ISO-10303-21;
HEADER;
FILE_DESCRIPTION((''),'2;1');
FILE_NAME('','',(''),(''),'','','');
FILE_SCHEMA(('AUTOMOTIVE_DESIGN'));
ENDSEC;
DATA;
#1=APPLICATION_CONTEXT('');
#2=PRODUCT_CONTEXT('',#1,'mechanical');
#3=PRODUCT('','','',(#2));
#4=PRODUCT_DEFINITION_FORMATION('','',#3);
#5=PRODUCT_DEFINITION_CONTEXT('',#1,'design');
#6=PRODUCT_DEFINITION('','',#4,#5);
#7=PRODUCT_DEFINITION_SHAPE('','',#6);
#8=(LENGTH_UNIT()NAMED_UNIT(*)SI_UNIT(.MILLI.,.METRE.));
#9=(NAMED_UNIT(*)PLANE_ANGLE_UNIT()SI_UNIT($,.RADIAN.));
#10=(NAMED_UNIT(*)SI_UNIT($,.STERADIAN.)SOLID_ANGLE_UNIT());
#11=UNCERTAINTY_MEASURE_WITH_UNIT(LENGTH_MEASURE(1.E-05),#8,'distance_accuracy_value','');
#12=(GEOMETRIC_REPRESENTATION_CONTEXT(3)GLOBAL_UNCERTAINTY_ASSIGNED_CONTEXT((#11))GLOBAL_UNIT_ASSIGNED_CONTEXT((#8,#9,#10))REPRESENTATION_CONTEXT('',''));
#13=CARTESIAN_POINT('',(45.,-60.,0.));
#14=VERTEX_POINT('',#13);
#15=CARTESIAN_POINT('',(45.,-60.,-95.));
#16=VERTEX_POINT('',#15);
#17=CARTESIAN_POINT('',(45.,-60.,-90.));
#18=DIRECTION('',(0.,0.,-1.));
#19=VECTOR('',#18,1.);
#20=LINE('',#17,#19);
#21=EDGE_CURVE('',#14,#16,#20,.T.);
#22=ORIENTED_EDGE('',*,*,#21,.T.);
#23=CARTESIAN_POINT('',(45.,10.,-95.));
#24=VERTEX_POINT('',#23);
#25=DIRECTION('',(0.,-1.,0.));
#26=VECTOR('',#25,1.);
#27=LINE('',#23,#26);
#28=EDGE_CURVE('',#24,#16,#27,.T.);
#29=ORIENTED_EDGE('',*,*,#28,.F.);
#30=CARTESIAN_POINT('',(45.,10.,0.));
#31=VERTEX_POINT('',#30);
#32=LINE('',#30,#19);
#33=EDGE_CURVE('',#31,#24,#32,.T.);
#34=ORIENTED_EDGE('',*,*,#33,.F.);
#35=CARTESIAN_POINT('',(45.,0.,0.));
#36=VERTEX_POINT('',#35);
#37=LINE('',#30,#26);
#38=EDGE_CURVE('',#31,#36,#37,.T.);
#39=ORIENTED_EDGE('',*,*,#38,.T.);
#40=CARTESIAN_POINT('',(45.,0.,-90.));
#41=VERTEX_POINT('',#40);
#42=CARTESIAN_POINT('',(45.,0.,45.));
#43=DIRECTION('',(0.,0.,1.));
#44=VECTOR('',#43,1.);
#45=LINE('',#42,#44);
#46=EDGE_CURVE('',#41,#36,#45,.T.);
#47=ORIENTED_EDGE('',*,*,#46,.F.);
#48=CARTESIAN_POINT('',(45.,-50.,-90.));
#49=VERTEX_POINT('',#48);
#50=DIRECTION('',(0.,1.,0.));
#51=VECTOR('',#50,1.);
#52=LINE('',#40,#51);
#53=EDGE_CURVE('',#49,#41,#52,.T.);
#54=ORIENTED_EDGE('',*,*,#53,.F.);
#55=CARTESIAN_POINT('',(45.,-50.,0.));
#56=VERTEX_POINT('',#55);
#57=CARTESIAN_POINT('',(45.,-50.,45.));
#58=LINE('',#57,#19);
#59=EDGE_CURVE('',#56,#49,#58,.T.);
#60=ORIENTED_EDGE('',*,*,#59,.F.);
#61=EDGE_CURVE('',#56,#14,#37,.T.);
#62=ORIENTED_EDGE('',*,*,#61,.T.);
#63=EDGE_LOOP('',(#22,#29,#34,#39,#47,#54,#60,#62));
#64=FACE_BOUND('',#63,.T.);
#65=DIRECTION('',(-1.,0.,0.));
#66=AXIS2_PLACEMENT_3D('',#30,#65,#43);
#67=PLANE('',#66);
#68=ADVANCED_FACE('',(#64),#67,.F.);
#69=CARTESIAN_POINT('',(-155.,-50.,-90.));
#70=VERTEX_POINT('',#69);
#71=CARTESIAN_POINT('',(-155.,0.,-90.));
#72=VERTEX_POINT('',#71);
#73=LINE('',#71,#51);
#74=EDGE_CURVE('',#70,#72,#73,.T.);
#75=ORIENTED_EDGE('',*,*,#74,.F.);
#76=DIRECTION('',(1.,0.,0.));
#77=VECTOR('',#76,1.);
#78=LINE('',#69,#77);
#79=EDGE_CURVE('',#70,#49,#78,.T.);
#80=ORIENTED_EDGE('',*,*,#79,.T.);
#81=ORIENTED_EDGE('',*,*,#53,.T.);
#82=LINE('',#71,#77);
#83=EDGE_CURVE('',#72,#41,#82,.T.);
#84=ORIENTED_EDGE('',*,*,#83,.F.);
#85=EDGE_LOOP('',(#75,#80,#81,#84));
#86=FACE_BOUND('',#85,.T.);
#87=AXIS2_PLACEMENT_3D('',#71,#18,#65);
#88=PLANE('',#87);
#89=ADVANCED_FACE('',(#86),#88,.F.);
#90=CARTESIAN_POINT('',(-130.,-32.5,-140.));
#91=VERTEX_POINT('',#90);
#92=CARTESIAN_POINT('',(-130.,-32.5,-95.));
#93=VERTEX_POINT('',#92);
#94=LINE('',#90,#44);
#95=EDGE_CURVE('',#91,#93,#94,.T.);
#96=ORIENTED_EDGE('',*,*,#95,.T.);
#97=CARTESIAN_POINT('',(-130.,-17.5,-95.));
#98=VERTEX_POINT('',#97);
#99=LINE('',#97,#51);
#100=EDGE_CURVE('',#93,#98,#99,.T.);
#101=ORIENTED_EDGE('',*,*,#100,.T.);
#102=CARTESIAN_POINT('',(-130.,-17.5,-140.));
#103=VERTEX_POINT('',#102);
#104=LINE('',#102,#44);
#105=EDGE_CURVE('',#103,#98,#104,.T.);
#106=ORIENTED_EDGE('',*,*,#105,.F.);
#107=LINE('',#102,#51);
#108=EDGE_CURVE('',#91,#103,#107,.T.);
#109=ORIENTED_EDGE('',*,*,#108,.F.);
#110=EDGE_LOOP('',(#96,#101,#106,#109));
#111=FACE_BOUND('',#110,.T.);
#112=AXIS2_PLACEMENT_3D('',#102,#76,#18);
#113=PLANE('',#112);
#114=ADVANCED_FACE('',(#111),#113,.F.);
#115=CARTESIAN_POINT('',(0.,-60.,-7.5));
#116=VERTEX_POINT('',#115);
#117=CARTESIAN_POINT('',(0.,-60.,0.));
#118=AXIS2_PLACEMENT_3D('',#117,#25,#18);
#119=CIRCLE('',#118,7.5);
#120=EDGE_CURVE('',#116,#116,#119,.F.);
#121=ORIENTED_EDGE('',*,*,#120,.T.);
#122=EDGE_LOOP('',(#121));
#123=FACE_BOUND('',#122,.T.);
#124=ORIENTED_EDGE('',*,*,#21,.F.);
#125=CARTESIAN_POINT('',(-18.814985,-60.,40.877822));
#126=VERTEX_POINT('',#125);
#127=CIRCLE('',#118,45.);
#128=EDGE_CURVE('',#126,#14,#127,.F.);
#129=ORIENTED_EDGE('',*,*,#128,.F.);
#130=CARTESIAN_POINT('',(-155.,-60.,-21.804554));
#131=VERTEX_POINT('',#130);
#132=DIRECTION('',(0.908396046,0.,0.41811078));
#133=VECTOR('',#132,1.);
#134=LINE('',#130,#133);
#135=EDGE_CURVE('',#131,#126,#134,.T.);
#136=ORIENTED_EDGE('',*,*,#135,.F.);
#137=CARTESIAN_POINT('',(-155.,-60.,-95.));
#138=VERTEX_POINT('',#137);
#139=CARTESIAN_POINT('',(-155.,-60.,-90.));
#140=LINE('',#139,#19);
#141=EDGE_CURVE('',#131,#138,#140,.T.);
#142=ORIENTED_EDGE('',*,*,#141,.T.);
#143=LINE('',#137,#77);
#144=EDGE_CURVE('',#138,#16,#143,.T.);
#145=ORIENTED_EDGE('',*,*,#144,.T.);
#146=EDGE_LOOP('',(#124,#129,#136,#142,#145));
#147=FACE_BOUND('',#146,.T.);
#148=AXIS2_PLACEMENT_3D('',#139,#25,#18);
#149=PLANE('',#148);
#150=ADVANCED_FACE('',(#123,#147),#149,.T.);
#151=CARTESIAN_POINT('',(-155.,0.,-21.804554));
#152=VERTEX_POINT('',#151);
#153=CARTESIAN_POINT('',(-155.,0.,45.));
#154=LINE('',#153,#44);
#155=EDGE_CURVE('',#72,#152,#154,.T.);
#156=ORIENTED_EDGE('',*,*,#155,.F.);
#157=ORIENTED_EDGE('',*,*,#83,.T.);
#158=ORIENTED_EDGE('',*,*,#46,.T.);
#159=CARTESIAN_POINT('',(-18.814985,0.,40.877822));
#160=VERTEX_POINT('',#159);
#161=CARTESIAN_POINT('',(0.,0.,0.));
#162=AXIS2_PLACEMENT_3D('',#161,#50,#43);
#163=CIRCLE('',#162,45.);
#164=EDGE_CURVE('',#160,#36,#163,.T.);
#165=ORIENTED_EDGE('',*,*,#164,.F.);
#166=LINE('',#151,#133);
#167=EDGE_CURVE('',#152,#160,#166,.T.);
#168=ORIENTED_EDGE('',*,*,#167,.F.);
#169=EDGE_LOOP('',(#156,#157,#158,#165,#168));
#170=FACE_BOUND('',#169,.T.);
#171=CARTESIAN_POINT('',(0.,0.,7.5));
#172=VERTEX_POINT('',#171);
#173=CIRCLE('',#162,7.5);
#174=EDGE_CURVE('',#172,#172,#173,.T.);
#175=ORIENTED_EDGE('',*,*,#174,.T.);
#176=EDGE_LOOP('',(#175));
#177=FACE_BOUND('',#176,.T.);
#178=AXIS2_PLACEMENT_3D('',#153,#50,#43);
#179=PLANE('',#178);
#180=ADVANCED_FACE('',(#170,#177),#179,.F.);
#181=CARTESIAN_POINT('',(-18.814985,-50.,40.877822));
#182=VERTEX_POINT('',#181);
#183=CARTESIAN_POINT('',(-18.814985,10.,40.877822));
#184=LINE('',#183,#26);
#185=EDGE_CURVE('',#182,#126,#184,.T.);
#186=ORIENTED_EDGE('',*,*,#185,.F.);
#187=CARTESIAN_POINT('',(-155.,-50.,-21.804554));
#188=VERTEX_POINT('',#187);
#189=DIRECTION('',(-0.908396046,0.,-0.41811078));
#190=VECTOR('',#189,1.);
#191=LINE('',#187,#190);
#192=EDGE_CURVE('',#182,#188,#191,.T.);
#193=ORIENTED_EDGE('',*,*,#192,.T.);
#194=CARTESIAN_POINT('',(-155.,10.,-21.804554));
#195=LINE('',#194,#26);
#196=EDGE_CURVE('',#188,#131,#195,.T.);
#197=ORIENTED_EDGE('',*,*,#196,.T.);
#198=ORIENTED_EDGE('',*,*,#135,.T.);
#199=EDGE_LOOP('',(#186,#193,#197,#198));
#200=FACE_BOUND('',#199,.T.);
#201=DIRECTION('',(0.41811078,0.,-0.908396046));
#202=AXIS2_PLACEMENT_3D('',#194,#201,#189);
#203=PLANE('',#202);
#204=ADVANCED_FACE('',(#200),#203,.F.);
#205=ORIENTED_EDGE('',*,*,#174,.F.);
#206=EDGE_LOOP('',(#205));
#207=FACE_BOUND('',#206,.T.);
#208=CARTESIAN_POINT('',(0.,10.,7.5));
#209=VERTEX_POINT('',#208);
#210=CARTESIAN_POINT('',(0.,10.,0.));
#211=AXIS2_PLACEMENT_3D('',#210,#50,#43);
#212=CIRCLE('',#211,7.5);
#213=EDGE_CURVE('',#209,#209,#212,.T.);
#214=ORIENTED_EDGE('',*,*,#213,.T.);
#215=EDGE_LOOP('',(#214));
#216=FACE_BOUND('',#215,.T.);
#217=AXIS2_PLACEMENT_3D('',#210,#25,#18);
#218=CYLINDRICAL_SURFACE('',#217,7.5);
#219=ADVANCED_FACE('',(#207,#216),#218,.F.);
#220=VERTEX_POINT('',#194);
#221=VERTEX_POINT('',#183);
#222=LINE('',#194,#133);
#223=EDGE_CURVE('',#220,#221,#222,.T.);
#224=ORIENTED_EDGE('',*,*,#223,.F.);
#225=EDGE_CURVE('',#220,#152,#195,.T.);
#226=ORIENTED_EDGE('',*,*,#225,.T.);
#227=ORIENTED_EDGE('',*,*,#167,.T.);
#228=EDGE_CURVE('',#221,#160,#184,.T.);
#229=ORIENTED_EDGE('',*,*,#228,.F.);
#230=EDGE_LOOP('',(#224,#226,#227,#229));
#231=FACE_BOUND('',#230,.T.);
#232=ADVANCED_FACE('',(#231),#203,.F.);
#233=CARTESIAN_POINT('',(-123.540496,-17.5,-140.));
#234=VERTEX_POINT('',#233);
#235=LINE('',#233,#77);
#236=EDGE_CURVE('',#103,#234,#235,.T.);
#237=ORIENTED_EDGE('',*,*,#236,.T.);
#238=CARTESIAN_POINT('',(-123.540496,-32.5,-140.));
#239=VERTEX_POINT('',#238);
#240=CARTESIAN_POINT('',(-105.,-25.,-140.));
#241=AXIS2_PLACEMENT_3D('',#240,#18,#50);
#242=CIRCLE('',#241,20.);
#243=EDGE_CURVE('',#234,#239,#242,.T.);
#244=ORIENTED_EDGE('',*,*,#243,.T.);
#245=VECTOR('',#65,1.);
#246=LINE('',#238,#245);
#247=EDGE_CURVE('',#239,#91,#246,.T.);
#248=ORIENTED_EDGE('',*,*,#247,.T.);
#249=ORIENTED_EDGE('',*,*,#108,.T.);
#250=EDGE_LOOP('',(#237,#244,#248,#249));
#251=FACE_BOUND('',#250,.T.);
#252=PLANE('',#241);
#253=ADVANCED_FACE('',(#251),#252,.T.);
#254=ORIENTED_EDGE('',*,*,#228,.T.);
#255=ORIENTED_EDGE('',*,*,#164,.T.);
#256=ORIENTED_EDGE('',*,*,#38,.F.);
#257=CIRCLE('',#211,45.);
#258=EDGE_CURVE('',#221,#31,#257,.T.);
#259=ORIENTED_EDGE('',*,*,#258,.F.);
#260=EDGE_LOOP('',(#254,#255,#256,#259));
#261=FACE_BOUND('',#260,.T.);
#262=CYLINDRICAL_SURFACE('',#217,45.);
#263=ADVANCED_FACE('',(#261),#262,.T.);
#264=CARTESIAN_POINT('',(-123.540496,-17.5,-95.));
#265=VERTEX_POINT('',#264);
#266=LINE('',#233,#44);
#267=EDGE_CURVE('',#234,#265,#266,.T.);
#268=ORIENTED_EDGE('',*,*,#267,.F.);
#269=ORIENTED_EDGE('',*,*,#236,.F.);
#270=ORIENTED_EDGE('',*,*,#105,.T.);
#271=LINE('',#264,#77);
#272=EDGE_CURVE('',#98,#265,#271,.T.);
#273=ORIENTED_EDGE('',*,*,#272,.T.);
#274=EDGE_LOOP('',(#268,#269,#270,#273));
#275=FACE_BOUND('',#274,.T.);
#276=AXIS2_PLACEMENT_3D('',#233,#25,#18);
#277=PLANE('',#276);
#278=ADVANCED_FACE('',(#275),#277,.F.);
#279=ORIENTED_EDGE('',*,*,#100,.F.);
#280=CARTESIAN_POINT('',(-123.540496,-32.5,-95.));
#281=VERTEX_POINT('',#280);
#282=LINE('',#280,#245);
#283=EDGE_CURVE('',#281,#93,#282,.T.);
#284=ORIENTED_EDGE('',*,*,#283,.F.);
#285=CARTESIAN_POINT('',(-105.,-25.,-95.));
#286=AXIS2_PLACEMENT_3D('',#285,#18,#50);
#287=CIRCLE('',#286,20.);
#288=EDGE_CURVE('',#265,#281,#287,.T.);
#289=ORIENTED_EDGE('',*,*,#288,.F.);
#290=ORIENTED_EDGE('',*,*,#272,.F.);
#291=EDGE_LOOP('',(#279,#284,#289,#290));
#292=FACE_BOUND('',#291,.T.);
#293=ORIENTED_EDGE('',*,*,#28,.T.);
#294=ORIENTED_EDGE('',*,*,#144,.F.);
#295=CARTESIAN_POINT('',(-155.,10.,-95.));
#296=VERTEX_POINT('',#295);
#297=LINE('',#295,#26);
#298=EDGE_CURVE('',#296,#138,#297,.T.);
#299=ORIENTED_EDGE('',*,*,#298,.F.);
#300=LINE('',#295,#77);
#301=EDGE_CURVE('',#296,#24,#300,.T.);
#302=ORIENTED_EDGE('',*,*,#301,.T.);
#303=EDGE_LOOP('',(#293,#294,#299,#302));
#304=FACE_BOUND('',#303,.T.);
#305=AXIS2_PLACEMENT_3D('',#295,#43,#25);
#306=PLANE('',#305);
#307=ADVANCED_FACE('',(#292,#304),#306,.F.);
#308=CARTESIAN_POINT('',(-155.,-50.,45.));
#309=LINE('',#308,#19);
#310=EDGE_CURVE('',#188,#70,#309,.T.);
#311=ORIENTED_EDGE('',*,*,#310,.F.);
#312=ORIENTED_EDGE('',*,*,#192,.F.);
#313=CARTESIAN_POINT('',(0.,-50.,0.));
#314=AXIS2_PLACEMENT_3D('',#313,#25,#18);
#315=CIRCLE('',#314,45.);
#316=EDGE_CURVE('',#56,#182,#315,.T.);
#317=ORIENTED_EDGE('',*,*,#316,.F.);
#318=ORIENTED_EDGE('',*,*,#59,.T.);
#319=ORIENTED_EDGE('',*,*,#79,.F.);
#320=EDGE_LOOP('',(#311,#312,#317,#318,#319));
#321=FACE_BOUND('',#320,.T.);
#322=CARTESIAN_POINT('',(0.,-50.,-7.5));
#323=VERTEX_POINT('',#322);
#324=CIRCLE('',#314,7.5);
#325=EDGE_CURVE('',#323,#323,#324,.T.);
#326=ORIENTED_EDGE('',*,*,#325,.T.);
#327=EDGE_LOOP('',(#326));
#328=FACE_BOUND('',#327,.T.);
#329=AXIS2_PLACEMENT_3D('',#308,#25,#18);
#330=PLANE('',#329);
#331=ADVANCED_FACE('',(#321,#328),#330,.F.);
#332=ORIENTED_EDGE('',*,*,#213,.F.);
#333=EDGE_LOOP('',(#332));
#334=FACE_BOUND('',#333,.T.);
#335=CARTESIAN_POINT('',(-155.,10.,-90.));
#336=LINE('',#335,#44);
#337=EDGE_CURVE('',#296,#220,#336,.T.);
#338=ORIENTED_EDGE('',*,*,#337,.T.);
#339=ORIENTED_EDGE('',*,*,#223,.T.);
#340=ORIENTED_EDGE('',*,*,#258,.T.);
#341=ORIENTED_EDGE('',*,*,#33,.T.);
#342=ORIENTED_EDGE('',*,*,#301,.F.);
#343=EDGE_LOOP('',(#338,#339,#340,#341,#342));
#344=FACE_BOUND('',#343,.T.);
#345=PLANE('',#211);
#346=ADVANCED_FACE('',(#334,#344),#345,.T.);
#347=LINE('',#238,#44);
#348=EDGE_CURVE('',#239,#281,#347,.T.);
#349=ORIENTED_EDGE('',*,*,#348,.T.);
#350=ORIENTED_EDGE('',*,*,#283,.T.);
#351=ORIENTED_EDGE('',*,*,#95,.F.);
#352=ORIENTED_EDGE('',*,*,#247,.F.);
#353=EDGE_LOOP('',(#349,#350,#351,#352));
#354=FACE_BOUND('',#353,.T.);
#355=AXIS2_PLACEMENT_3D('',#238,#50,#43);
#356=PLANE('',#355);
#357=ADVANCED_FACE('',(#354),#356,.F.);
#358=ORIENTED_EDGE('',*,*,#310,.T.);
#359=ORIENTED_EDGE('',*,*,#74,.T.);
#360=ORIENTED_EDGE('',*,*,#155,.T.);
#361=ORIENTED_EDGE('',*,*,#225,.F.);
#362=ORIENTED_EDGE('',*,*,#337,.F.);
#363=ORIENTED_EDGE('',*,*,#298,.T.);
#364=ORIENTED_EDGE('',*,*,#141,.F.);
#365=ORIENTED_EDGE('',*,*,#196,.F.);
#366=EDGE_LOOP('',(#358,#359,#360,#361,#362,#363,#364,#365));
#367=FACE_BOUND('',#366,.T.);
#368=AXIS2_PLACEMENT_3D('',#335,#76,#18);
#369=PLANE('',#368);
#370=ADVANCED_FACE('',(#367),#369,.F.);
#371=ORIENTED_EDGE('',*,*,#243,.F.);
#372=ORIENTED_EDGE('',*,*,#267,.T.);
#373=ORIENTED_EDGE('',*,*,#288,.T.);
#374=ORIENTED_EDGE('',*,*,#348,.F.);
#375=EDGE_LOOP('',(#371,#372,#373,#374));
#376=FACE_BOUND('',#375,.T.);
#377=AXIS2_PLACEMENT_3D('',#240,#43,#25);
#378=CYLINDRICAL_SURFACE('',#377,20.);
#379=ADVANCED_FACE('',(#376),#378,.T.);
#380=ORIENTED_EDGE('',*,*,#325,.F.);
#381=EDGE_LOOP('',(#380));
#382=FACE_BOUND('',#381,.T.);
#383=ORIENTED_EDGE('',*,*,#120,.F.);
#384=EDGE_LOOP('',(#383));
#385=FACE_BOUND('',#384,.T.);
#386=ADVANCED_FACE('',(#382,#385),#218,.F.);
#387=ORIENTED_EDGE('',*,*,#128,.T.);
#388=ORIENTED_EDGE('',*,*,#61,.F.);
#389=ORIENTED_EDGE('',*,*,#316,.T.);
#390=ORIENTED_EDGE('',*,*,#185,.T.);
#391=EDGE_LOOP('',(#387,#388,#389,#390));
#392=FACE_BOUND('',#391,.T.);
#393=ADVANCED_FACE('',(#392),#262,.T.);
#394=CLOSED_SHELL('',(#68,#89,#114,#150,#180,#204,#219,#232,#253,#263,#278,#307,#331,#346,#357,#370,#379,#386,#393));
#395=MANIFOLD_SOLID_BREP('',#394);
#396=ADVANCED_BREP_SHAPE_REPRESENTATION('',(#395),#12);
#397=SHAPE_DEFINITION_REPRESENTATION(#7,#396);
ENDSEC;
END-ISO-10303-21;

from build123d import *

# Parameters (mm, degrees)
SKETCH_1_R          = 7.5
EXTRUDE_1_DEPTH     = 10
SKETCH_3_W          = 5
SKETCH_3_H          = 35
EXTRUDE_2_DEPTH     = 200
EXTRUDE_START       = -60
SKETCH_1_2_R        = 7.5
EXTRUDE_3_DEPTH     = 60
SKETCH_7_W          = 135
SKETCH_7_H          = 50
CUT_EXTRUDE_1_DEPTH = 230.401394939
EXTRUDE_4_DEPTH     = 45


with BuildPart() as part:
    # 草图1 → 凸台-拉伸1 (new body)
    with BuildSketch(Plane(origin=(0, 0, 0), x_dir=(1, 0, 0), z_dir=(0, 1, 0))):
        with BuildLine():
            Line((45, 0), (45, 90))
            Line((45, 90), (-155, 90))
            Line((-155, 90), (-155, 21.804554274))
            Line((-155, 21.804554274), (-18.814985094, -40.877822054))
            ThreePointArc((-18.814985094, -40.877822054), (24.272676725, -37.892442051), (45, 0))
        make_face()
        with Locations(Location((0, 0, 0), (0, 0, 270))):
            Circle(SKETCH_1_R, mode=Mode.SUBTRACT)
    extrude(amount=EXTRUDE_1_DEPTH)

    # 草图3 → 凸台-拉伸2 (add)
    with BuildSketch(Plane(origin=(45, 0, 0), x_dir=(0, 0, -1), z_dir=(1, 0, 0))):
        with Locations((92.5, -7.5)):
            Rectangle(SKETCH_3_W, SKETCH_3_H)
    extrude_2 = extrude(amount=-EXTRUDE_2_DEPTH)

    # 镜向5: 凸台-拉伸2 across plane
    add(extrude_2.mirror(Plane(origin=(0, -25, 0), x_dir=(0, 0, 1), z_dir=(0, -1, 0))))

    # 草图1<2> → 凸台-拉伸3 (add)
    with BuildSketch(Plane(origin=(0, 0, 0), x_dir=(1, 0, 0), z_dir=(0, 1, 0)).offset(EXTRUDE_START)):
        with BuildLine():
            Line((45, 0), (45, 90))
            Line((45, 90), (-155, 90))
            Line((-155, 90), (-155, 21.804554274))
            Line((-155, 21.804554274), (-18.814985094, -40.877822054))
            ThreePointArc((-18.814985094, -40.877822054), (24.272676725, -37.892442051), (45, 0))
        make_face()
        with Locations(Location((0, 0, 0), (0, 0, 90))):
            Circle(SKETCH_1_2_R, mode=Mode.SUBTRACT)
    extrude(amount=EXTRUDE_3_DEPTH)

    # 草图7 → 切除-拉伸1 (cut, through all)
    with BuildSketch(Plane(origin=(45, 0, 0), x_dir=(0, 0, -1), z_dir=(1, 0, 0))):
        with Locations((22.5, -25)):
            Rectangle(SKETCH_7_W, SKETCH_7_H)
    extrude(amount=-CUT_EXTRUDE_1_DEPTH, mode=Mode.SUBTRACT)

    # 草图8 → 凸台-拉伸4 (add)
    with BuildSketch(Plane(origin=(0, 0, -95), x_dir=(-1, 0, 0), z_dir=(0, 0, -1))):
        with BuildLine():
            Line((123.540496218, -17.5), (130, -17.5))
            Line((130, -17.5), (130, -32.5))
            Line((130, -32.5), (123.540496218, -32.5))
            ThreePointArc((123.540496218, -32.5), (85, -25), (123.540496218, -17.5))
        make_face()
    extrude(amount=EXTRUDE_4_DEPTH)


solid = part.part
